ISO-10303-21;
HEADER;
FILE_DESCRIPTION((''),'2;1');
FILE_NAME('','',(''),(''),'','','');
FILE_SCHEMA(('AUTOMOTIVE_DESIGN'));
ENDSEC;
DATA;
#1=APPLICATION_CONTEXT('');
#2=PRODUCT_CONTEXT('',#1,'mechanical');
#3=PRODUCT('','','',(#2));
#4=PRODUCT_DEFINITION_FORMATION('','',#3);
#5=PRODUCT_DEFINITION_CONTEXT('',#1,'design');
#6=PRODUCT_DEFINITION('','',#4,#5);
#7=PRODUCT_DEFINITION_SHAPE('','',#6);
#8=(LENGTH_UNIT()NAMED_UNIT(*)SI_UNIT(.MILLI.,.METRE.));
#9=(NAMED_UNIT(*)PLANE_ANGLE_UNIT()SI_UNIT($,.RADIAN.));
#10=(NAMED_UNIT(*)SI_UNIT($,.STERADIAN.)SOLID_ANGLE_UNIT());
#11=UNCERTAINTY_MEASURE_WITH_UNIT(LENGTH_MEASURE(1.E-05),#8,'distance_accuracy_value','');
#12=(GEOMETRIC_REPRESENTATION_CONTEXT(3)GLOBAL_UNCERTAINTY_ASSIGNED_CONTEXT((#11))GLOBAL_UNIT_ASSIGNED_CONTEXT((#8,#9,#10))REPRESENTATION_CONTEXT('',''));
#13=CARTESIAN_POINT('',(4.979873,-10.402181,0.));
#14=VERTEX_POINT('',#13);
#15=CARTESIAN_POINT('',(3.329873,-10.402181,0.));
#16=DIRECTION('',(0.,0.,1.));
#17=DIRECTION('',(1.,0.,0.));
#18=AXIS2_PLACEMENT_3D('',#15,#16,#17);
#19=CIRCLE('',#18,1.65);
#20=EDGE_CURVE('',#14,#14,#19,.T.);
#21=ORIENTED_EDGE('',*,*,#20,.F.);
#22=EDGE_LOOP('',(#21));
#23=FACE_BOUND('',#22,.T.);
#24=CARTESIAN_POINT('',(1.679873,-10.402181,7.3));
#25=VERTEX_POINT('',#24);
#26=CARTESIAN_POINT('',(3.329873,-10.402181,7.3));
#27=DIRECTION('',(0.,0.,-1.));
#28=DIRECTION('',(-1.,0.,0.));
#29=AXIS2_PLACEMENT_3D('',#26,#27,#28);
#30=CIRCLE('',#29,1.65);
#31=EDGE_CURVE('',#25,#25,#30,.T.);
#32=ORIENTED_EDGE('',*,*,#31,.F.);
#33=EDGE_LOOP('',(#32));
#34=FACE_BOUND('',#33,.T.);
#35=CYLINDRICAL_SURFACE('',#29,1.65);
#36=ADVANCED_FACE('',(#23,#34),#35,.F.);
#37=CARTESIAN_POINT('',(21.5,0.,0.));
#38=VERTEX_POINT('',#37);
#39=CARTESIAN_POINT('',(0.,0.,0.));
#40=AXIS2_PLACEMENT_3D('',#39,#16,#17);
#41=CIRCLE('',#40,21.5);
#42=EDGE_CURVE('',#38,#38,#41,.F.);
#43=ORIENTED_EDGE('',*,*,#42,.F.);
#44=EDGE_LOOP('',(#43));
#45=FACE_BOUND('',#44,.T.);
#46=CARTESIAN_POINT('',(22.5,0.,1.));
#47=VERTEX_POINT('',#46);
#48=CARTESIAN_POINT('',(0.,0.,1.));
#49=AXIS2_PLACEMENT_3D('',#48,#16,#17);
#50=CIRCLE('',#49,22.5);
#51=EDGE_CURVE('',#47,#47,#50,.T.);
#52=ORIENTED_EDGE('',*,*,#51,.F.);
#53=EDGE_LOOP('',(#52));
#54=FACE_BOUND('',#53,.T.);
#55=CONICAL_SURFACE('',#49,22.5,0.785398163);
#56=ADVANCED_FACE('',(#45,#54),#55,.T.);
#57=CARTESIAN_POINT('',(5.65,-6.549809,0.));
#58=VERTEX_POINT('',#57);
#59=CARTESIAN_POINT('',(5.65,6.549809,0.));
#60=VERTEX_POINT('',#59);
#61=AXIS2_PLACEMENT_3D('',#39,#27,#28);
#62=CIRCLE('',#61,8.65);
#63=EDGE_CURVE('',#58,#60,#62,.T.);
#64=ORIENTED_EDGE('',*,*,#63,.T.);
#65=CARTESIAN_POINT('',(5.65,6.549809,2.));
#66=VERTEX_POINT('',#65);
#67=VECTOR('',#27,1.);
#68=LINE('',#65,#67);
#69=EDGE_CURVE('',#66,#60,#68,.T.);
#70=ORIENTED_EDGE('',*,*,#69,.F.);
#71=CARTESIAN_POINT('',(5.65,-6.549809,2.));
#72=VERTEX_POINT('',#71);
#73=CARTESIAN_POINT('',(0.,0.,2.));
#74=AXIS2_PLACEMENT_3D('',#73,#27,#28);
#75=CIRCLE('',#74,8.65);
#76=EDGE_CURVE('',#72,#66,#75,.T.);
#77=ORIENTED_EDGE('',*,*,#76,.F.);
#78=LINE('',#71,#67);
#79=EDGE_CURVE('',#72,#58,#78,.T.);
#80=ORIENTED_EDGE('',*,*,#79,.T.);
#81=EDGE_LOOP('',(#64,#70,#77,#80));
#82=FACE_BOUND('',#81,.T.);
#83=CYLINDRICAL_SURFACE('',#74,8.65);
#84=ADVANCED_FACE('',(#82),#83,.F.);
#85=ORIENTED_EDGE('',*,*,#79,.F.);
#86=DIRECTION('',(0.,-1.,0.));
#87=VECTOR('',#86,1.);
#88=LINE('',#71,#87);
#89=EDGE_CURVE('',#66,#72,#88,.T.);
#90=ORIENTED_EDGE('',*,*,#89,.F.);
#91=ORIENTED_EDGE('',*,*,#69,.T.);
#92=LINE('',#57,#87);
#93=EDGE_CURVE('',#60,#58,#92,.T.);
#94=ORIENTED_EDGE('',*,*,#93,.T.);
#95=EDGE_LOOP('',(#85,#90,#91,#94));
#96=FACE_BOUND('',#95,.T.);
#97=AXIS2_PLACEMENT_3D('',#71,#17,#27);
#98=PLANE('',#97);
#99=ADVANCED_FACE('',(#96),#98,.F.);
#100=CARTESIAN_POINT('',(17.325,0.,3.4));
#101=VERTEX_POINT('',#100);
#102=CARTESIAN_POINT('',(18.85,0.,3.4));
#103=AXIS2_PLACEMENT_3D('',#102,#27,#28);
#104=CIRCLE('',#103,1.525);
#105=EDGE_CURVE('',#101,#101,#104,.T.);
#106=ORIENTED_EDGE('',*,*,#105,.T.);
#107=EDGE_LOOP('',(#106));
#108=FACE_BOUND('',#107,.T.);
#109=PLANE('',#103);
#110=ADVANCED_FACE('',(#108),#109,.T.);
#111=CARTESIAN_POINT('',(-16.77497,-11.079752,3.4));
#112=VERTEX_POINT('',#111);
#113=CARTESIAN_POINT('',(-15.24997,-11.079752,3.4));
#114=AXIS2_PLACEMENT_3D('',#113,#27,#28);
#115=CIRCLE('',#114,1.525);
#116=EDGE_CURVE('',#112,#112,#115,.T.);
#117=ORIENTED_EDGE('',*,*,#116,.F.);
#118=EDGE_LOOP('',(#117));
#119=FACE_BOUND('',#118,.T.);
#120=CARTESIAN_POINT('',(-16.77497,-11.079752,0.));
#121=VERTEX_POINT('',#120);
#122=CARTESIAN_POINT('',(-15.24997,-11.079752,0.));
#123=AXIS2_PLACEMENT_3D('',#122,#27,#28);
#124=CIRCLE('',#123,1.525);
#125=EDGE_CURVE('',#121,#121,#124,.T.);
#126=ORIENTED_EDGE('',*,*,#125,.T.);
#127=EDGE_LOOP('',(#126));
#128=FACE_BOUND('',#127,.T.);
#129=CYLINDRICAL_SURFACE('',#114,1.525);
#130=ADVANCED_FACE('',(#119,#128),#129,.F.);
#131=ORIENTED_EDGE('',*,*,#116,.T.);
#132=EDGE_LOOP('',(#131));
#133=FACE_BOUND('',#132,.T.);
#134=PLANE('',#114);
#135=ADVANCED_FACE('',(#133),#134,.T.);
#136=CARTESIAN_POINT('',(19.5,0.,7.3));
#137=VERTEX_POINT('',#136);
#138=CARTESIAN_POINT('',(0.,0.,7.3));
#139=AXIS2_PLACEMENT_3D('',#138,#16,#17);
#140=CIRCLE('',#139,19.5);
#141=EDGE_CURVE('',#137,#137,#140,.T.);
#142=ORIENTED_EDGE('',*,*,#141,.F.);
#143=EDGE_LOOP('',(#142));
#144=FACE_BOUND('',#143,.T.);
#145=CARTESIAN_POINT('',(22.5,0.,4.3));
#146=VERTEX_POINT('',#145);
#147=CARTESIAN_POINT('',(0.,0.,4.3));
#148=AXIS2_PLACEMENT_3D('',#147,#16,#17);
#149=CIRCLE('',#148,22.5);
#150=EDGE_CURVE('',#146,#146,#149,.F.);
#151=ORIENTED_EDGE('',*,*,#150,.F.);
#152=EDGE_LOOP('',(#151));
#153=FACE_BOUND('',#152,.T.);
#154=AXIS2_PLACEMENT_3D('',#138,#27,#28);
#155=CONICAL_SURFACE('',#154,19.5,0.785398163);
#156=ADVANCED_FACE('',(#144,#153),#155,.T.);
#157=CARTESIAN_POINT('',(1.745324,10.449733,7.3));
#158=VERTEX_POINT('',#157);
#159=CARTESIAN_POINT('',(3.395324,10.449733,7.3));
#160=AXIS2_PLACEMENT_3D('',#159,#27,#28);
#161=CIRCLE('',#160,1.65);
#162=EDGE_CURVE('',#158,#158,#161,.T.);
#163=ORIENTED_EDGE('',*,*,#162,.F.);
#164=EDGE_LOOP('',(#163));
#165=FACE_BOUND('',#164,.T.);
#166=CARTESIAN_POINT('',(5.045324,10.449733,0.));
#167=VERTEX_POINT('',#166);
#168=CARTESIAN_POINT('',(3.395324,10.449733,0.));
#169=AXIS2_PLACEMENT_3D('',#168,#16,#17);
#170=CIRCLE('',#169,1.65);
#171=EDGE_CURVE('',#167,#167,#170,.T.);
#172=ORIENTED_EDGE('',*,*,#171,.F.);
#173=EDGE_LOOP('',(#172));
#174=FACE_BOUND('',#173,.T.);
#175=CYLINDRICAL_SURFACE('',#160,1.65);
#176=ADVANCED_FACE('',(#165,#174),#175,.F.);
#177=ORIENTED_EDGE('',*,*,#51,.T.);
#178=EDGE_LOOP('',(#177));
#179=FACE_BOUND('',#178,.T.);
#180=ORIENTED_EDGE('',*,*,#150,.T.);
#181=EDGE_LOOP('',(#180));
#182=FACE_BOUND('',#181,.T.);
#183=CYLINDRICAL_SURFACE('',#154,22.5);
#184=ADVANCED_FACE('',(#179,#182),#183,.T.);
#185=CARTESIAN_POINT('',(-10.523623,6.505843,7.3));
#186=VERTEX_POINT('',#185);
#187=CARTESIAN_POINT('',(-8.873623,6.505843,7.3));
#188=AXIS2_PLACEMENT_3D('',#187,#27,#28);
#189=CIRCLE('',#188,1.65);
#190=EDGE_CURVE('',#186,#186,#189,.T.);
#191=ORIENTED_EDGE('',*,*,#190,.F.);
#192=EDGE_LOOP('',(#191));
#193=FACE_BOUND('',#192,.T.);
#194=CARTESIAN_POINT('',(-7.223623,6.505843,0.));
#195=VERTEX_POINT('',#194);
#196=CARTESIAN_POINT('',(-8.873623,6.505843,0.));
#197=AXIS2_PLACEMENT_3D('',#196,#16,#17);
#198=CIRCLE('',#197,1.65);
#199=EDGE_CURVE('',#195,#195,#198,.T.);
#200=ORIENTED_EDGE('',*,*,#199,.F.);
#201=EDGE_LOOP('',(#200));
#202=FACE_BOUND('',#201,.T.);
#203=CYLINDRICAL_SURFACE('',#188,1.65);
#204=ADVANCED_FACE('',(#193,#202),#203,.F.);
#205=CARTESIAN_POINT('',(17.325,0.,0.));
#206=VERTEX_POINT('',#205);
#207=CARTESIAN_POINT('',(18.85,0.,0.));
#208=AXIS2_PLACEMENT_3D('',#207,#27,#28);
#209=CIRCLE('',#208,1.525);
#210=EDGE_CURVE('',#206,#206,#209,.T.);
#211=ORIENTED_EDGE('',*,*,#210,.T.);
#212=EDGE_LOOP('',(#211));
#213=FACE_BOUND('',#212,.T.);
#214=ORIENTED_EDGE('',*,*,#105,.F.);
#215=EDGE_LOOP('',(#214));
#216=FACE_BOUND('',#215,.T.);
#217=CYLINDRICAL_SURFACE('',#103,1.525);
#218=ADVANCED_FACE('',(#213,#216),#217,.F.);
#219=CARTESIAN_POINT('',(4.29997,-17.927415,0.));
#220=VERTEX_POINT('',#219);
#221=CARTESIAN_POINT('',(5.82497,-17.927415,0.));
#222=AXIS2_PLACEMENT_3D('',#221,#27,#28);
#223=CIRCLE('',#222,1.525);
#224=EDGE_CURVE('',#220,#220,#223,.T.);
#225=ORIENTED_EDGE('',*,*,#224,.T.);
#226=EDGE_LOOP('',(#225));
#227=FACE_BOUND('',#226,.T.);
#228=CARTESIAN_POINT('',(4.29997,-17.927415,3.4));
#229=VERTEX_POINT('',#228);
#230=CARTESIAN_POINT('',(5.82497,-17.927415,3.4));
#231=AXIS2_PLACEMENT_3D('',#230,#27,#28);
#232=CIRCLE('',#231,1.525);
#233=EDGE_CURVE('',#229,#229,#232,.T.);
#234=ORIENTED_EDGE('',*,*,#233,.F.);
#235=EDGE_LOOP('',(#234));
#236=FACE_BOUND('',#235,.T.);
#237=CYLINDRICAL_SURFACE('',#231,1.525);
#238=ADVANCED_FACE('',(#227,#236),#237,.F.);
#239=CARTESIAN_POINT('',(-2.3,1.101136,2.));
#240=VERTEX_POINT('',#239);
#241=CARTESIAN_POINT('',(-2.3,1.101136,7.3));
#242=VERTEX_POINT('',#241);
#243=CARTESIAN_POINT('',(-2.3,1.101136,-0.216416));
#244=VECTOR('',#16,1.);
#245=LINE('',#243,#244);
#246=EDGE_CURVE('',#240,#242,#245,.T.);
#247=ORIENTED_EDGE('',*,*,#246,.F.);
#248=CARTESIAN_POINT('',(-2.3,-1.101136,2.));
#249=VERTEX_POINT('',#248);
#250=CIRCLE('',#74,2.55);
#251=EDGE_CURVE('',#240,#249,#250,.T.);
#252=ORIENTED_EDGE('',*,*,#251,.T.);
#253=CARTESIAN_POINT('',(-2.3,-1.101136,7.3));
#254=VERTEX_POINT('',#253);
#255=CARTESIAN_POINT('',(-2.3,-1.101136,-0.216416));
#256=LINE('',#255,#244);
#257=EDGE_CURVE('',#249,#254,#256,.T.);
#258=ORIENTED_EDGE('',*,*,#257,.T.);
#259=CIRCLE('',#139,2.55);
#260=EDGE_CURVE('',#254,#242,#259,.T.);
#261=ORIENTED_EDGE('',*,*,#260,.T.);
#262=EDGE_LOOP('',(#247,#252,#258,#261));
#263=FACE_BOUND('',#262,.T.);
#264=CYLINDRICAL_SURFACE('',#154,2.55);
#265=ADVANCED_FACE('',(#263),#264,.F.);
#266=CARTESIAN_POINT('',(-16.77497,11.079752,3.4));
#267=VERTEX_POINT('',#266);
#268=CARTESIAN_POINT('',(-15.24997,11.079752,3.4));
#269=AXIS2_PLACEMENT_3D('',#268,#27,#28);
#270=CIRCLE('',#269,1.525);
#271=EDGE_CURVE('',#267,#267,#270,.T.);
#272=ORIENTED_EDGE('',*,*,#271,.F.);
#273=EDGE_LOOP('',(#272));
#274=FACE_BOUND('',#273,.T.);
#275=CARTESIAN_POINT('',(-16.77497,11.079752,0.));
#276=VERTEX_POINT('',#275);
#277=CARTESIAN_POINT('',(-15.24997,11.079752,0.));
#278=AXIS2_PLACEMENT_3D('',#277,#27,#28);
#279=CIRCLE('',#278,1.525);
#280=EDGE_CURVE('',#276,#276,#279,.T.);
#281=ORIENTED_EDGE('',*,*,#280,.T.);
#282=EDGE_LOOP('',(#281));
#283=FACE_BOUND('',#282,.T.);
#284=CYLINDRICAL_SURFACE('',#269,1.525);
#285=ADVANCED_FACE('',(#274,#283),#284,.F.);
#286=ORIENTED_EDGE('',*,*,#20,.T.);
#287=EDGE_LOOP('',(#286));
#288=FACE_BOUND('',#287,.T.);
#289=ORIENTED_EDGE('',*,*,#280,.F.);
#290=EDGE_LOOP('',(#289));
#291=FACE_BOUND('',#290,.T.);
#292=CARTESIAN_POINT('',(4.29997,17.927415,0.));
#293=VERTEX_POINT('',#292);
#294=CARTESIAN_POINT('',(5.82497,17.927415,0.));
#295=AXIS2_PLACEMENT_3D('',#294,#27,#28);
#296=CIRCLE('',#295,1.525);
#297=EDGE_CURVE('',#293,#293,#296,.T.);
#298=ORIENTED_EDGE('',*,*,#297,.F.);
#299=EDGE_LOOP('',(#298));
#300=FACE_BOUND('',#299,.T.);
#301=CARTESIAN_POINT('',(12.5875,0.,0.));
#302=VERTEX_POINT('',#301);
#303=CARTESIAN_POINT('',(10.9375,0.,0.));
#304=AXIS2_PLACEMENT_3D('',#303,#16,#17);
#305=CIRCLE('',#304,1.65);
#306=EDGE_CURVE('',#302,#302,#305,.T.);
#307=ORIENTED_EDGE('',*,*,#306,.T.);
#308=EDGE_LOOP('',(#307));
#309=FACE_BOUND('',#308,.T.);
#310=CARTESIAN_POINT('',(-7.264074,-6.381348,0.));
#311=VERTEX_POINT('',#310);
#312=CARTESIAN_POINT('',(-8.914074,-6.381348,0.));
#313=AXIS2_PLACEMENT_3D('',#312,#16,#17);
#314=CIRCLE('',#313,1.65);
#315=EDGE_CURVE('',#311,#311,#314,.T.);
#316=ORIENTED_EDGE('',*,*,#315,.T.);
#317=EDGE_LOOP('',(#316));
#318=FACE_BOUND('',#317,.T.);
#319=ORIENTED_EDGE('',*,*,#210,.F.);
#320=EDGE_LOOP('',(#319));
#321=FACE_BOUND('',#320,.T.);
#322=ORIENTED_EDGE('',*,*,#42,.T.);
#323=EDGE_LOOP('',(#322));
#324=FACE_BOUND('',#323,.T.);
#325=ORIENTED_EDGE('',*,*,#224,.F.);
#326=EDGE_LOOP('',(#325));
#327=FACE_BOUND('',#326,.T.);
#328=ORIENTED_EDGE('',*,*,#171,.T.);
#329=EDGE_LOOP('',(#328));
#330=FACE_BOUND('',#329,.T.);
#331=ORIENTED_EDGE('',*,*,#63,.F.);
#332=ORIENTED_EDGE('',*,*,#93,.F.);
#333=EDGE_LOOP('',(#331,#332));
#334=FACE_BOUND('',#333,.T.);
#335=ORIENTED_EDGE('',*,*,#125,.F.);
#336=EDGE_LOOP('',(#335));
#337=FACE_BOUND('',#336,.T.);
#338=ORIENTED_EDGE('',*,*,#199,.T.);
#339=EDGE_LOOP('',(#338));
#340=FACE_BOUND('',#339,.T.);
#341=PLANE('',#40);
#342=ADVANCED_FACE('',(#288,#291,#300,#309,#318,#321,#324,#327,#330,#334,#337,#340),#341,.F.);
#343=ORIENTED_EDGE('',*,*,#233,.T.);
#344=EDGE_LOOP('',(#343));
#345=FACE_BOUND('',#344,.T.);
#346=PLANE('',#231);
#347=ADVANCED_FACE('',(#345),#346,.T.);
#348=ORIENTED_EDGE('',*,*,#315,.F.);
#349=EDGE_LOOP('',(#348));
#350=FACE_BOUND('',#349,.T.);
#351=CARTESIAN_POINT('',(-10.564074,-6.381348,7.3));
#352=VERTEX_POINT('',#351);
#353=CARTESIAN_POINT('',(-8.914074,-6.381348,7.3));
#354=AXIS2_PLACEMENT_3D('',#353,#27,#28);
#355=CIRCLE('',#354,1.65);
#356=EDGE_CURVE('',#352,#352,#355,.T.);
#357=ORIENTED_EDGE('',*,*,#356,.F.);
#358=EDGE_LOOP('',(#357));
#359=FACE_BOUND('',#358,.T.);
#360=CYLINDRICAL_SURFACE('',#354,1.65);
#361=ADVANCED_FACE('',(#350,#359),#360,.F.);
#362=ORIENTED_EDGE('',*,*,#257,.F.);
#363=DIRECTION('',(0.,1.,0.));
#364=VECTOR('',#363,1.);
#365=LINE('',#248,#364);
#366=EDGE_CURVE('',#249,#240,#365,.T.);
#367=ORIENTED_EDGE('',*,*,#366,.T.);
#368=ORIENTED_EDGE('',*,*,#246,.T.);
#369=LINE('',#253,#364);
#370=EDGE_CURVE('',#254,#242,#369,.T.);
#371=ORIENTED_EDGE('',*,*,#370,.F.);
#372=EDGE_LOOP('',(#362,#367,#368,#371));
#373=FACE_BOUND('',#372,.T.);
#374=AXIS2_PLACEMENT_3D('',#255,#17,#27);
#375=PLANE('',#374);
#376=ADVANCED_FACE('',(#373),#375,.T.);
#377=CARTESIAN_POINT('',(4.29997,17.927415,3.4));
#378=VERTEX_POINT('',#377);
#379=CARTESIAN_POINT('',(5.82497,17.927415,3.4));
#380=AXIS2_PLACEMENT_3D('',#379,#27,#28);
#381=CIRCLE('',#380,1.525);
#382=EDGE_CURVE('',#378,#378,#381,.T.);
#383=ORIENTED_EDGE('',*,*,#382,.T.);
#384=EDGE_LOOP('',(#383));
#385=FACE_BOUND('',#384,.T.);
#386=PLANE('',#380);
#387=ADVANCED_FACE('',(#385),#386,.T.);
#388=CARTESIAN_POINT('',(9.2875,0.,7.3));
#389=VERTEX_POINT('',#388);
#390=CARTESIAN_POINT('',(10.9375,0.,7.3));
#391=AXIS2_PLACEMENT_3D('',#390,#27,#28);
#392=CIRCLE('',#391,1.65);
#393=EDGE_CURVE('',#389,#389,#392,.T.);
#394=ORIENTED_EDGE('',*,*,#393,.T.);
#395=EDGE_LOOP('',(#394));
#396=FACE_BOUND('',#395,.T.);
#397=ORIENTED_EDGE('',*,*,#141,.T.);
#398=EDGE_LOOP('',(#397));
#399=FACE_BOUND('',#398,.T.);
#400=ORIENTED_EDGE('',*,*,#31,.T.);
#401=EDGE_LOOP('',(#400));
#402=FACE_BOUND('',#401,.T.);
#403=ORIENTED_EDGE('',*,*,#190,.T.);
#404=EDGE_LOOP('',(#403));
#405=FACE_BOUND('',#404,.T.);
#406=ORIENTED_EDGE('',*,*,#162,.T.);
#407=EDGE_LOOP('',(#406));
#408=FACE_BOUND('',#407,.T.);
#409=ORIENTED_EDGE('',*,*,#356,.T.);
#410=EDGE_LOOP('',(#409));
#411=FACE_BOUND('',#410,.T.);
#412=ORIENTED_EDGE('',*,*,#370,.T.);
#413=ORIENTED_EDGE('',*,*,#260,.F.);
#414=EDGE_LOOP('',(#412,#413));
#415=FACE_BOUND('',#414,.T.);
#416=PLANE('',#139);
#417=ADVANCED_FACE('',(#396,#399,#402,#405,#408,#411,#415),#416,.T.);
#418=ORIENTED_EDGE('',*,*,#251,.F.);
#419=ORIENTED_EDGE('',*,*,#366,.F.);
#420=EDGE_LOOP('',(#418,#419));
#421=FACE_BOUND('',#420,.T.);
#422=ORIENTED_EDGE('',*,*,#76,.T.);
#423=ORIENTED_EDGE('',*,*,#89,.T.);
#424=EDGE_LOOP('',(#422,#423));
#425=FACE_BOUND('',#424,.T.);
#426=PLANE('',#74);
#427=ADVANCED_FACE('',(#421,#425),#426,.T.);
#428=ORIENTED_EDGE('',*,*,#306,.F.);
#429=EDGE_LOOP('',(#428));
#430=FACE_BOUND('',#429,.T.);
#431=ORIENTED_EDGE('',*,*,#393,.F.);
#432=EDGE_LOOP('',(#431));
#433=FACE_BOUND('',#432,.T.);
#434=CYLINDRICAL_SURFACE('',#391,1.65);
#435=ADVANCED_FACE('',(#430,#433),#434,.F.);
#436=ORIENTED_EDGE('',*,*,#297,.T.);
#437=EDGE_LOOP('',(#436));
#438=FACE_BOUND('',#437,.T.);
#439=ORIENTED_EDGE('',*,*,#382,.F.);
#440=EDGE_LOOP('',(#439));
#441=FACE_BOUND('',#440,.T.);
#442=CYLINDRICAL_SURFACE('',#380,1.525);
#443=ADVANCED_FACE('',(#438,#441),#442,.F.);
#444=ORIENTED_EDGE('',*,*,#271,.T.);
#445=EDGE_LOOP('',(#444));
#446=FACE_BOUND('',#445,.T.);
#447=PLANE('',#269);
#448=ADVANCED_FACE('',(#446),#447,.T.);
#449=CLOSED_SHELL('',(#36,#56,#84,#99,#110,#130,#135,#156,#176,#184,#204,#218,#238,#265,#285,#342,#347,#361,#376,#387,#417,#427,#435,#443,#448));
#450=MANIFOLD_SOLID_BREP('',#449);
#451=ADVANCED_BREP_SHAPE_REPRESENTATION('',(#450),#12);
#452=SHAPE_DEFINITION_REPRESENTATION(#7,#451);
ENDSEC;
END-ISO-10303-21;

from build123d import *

# Parameters (mm, degrees)
SKETCH1_R               = 22.5
SKETCH1_R_2             = 2.55
BOSS_EXTRUDE1_DEPTH     = 7.3
SKETCH2_R               = 1.525
CUT_EXTRUDE1_DEPTH      = 3.4
CUT_EXTRUDE2_DEPTH      = 33.646439316
CUT_EXTRUDE2_DEPTH_BACK = 33.646439316
SKETCH3_R               = 2.55
SKETCH3_R_2             = 1.65
CHAMFER7_SIZE           = 1
CHAMFER8_SIZE           = 3
CUT_EXTRUDE3_DEPTH      = 2
BOSS_EXTRUDE2_START     = -5.3
BOSS_EXTRUDE2_DEPTH     = 5.3


with BuildPart() as part:
    # Sketch1 → Boss-Extrude1 (new body)
    with BuildSketch(Plane.XY):
        Circle(SKETCH1_R)
        Circle(SKETCH1_R_2, mode=Mode.SUBTRACT)
    extrude(amount=BOSS_EXTRUDE1_DEPTH)

    # Sketch2 → Cut-Extrude1 (cut)
    with BuildSketch(Plane(origin=(0, 0, 0), x_dir=(-1, 0, 0), z_dir=(0, 0, -1))):
        with Locations((-18.85, 0)):
            Circle(SKETCH2_R)
        with Locations((-5.824970344, 17.927415332)):
            Circle(SKETCH2_R)
        with Locations((15.249970344, 11.079752006)):
            Circle(SKETCH2_R)
        with Locations((15.249970344, -11.079752006)):
            Circle(SKETCH2_R)
        with Locations((-5.824970344, -17.927415332)):
            Circle(SKETCH2_R)
    extrude(amount=-CUT_EXTRUDE1_DEPTH, mode=Mode.SUBTRACT)

    # Sketch3 → Cut-Extrude2 (cut, two sides: drawn at the far end of the back side and taken through both)
    with BuildSketch(Plane(origin=(0, 0, 0), x_dir=(-1, 0, 0), z_dir=(0, 0, -1)).offset(-CUT_EXTRUDE2_DEPTH_BACK)):
        with Locations(Location((0, 0, 0), (0, 0, 180))):
            Circle(SKETCH3_R)
        with Locations((-10.9375, 0)):
            Circle(SKETCH3_R_2)
        with Locations((-3.395324226, 10.449733473)):
            Circle(SKETCH3_R_2)
        with Locations((8.873623376, 6.505843285)):
            Circle(SKETCH3_R_2)
        with Locations((8.914074226, -6.381348371)):
            Circle(SKETCH3_R_2)
        with Locations((-3.329873376, -10.402180647)):
            Circle(SKETCH3_R_2)
    extrude(amount=CUT_EXTRUDE2_DEPTH + CUT_EXTRUDE2_DEPTH_BACK, mode=Mode.SUBTRACT)

    # Chamfer7
    chamfer7_edges = [part.edges().sort_by_distance(p)[0] for p in [
        (-22.5, 0, 0),
    ]]
    chamfer(chamfer7_edges, length=CHAMFER7_SIZE)

    # Chamfer8
    chamfer8_edges = [part.edges().sort_by_distance(p)[0] for p in [
        (-22.5, 0, 7.3),
    ]]
    chamfer(chamfer8_edges, length=CHAMFER8_SIZE)

    # Sketch8 → Cut-Extrude3 (cut)
    with BuildSketch(Plane(origin=(0, 0, 0), x_dir=(-1, 0, 0), z_dir=(0, 0, -1))):
        with BuildLine():
            Line((-5.65, -6.549809158), (-5.65, 6.549809158))
            ThreePointArc((-5.65, 6.549809158), (8.65, 0), (-5.65, -6.549809158))
        make_face()
    extrude(amount=-CUT_EXTRUDE3_DEPTH, mode=Mode.SUBTRACT)

    # Sketch10 → Boss-Extrude2 (add)
    with BuildSketch(Plane.XY.offset(7.3).offset(BOSS_EXTRUDE2_START)):
        with BuildLine():
            Line((-2.3, -1.101135777), (-2.3, 1.101135777))
            ThreePointArc((-2.3, 1.101135777), (-2.55, 0), (-2.3, -1.101135777))
        make_face()
    extrude(amount=BOSS_EXTRUDE2_DEPTH)


solid = part.part
